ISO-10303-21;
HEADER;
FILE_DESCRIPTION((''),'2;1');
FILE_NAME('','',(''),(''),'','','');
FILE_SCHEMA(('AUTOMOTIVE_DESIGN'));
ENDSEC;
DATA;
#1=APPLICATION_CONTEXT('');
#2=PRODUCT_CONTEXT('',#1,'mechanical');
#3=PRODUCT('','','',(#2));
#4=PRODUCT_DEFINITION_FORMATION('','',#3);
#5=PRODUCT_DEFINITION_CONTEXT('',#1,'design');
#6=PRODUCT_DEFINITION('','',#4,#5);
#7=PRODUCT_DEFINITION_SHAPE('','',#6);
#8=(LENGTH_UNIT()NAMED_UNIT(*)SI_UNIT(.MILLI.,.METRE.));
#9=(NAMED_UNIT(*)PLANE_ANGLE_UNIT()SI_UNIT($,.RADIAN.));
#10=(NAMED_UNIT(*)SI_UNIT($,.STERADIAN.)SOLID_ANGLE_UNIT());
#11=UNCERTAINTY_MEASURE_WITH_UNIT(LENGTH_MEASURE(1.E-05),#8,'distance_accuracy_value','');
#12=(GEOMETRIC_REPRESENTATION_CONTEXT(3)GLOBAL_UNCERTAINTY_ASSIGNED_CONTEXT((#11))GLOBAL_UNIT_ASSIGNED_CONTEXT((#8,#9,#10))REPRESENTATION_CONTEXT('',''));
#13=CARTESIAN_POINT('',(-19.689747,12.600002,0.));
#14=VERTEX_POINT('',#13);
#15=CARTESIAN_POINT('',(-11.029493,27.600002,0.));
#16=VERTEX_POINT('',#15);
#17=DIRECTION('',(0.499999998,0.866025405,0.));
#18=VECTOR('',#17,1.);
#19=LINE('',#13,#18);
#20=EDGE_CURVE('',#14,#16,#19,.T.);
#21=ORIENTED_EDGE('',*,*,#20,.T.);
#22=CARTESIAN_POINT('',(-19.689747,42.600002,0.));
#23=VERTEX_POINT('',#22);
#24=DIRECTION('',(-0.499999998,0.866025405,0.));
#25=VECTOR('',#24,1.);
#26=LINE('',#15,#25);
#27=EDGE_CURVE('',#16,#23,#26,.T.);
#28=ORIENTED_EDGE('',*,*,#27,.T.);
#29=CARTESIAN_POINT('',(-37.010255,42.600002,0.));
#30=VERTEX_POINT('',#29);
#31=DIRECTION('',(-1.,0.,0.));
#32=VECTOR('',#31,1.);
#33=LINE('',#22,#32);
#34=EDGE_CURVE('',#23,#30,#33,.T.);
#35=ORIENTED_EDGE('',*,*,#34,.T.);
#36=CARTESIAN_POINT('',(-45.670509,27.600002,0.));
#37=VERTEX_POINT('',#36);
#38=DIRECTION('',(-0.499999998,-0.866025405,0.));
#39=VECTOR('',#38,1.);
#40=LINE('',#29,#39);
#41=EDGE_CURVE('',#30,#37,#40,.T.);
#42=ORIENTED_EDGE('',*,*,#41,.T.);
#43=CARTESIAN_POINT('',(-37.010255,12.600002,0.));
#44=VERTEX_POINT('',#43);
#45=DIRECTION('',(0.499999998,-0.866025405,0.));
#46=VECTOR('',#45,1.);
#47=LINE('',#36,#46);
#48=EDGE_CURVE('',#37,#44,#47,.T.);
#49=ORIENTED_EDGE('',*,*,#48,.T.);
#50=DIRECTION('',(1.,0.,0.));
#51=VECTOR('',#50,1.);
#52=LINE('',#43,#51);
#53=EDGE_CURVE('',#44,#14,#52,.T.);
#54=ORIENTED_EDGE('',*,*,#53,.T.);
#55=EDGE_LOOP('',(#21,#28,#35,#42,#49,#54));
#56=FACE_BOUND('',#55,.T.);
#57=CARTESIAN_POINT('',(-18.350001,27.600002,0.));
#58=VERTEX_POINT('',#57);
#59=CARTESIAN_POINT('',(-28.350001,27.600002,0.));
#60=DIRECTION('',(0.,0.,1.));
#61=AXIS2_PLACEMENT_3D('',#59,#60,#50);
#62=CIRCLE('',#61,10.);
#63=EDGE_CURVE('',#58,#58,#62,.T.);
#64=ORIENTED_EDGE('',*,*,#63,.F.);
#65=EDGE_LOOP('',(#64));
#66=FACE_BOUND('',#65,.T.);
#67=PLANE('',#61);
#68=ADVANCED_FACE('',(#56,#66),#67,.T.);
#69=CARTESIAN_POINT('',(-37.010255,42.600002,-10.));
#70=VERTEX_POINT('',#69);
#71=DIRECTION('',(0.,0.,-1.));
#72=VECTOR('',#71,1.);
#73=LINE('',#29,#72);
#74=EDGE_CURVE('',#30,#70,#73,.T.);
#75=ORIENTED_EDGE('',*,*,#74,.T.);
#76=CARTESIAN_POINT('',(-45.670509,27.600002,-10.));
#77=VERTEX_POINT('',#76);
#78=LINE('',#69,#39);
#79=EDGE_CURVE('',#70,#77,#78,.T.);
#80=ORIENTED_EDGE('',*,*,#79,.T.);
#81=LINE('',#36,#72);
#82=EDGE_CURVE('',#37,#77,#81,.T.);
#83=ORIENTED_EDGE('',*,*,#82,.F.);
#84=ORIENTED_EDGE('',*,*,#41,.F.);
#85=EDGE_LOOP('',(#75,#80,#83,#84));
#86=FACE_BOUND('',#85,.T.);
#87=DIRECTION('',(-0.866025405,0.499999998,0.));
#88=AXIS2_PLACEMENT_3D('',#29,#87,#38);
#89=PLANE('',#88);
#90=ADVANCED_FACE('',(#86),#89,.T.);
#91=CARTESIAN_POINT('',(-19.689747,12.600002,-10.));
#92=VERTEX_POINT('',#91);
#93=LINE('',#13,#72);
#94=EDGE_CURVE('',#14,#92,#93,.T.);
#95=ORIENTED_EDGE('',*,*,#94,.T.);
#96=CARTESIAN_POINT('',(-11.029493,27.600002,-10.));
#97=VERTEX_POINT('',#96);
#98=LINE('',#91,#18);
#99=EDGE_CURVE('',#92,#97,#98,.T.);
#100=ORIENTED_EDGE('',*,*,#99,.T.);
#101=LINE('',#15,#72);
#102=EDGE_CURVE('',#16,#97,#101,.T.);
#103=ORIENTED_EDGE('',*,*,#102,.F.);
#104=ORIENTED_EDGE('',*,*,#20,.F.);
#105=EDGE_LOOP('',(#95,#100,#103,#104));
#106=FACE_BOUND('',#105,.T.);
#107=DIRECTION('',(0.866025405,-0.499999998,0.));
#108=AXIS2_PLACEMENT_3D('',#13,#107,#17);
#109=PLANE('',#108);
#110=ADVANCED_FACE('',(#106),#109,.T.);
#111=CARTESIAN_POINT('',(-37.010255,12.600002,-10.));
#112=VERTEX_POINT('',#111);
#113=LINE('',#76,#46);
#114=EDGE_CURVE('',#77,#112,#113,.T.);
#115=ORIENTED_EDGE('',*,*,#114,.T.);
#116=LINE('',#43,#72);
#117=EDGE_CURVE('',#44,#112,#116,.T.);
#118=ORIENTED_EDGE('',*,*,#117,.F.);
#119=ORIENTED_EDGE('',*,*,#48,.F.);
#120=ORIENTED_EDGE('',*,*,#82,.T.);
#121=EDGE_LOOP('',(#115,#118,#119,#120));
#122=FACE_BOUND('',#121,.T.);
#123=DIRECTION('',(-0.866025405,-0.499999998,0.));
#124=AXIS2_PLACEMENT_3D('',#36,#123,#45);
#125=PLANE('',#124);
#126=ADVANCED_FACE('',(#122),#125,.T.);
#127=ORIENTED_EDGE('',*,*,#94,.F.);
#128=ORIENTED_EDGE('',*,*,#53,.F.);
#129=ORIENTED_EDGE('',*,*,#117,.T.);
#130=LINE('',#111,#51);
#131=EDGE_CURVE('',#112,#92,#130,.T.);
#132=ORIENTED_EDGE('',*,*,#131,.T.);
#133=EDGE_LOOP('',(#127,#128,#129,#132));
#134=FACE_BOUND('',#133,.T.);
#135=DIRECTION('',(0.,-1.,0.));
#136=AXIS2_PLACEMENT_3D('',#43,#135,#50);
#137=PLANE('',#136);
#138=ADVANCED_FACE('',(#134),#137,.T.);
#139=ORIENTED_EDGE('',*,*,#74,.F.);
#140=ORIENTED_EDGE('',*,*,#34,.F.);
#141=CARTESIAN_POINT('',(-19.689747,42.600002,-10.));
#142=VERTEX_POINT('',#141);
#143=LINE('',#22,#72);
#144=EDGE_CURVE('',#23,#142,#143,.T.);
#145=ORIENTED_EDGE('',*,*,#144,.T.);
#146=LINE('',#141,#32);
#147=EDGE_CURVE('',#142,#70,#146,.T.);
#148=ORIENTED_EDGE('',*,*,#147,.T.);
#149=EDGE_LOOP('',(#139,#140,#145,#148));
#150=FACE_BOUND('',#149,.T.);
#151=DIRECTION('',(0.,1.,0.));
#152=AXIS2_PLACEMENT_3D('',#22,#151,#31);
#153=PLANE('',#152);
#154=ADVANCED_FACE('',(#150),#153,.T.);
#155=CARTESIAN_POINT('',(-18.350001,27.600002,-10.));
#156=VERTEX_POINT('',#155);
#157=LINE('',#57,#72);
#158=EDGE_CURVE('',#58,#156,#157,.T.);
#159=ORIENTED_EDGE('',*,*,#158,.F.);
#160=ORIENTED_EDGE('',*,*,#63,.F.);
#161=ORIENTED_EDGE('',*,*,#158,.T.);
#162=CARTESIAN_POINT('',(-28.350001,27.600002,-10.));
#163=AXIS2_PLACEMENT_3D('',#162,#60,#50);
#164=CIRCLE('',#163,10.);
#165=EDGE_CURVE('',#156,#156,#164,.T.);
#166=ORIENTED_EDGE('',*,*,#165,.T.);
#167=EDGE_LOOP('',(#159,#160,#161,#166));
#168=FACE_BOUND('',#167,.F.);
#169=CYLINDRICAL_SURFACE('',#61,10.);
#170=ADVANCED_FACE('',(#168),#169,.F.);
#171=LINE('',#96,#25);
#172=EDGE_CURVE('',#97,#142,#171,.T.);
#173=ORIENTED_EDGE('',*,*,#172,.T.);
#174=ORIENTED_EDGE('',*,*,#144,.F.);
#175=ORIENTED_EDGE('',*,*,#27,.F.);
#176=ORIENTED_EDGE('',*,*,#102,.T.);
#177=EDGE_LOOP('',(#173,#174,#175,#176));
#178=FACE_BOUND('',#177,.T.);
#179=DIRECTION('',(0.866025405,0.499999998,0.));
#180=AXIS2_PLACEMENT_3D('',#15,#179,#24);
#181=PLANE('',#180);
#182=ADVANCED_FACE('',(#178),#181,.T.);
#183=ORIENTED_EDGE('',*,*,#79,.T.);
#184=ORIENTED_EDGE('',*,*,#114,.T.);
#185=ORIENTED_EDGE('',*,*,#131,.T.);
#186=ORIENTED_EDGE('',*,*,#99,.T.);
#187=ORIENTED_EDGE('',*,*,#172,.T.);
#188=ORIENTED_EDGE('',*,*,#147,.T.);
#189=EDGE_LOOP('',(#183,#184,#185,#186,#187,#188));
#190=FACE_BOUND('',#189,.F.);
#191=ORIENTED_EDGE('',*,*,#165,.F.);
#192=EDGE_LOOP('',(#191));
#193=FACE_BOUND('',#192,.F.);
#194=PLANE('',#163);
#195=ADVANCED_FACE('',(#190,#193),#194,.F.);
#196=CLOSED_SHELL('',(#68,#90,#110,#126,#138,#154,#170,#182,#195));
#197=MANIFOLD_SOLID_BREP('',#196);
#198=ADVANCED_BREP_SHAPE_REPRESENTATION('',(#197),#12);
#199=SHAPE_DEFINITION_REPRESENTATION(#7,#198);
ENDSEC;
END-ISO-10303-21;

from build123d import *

# Parameters (mm, degrees)
F0_R     = 10
F1_DEPTH = 10


with BuildPart() as f1:
    # F0 (on Top) → F1 (new body)
    with BuildSketch(Plane.XY):
        Polygon((-37.010255, 12.600002), (-19.689747, 12.600002), (-11.029493, 27.600002), (-19.689747, 42.600002), (-37.010255, 42.600002), (-45.670509, 27.600002), align=None)
        with Locations((-28.350001, 27.600002)):
            Circle(F0_R, mode=Mode.SUBTRACT)
    extrude(amount=-F1_DEPTH)


solid = f1.part
